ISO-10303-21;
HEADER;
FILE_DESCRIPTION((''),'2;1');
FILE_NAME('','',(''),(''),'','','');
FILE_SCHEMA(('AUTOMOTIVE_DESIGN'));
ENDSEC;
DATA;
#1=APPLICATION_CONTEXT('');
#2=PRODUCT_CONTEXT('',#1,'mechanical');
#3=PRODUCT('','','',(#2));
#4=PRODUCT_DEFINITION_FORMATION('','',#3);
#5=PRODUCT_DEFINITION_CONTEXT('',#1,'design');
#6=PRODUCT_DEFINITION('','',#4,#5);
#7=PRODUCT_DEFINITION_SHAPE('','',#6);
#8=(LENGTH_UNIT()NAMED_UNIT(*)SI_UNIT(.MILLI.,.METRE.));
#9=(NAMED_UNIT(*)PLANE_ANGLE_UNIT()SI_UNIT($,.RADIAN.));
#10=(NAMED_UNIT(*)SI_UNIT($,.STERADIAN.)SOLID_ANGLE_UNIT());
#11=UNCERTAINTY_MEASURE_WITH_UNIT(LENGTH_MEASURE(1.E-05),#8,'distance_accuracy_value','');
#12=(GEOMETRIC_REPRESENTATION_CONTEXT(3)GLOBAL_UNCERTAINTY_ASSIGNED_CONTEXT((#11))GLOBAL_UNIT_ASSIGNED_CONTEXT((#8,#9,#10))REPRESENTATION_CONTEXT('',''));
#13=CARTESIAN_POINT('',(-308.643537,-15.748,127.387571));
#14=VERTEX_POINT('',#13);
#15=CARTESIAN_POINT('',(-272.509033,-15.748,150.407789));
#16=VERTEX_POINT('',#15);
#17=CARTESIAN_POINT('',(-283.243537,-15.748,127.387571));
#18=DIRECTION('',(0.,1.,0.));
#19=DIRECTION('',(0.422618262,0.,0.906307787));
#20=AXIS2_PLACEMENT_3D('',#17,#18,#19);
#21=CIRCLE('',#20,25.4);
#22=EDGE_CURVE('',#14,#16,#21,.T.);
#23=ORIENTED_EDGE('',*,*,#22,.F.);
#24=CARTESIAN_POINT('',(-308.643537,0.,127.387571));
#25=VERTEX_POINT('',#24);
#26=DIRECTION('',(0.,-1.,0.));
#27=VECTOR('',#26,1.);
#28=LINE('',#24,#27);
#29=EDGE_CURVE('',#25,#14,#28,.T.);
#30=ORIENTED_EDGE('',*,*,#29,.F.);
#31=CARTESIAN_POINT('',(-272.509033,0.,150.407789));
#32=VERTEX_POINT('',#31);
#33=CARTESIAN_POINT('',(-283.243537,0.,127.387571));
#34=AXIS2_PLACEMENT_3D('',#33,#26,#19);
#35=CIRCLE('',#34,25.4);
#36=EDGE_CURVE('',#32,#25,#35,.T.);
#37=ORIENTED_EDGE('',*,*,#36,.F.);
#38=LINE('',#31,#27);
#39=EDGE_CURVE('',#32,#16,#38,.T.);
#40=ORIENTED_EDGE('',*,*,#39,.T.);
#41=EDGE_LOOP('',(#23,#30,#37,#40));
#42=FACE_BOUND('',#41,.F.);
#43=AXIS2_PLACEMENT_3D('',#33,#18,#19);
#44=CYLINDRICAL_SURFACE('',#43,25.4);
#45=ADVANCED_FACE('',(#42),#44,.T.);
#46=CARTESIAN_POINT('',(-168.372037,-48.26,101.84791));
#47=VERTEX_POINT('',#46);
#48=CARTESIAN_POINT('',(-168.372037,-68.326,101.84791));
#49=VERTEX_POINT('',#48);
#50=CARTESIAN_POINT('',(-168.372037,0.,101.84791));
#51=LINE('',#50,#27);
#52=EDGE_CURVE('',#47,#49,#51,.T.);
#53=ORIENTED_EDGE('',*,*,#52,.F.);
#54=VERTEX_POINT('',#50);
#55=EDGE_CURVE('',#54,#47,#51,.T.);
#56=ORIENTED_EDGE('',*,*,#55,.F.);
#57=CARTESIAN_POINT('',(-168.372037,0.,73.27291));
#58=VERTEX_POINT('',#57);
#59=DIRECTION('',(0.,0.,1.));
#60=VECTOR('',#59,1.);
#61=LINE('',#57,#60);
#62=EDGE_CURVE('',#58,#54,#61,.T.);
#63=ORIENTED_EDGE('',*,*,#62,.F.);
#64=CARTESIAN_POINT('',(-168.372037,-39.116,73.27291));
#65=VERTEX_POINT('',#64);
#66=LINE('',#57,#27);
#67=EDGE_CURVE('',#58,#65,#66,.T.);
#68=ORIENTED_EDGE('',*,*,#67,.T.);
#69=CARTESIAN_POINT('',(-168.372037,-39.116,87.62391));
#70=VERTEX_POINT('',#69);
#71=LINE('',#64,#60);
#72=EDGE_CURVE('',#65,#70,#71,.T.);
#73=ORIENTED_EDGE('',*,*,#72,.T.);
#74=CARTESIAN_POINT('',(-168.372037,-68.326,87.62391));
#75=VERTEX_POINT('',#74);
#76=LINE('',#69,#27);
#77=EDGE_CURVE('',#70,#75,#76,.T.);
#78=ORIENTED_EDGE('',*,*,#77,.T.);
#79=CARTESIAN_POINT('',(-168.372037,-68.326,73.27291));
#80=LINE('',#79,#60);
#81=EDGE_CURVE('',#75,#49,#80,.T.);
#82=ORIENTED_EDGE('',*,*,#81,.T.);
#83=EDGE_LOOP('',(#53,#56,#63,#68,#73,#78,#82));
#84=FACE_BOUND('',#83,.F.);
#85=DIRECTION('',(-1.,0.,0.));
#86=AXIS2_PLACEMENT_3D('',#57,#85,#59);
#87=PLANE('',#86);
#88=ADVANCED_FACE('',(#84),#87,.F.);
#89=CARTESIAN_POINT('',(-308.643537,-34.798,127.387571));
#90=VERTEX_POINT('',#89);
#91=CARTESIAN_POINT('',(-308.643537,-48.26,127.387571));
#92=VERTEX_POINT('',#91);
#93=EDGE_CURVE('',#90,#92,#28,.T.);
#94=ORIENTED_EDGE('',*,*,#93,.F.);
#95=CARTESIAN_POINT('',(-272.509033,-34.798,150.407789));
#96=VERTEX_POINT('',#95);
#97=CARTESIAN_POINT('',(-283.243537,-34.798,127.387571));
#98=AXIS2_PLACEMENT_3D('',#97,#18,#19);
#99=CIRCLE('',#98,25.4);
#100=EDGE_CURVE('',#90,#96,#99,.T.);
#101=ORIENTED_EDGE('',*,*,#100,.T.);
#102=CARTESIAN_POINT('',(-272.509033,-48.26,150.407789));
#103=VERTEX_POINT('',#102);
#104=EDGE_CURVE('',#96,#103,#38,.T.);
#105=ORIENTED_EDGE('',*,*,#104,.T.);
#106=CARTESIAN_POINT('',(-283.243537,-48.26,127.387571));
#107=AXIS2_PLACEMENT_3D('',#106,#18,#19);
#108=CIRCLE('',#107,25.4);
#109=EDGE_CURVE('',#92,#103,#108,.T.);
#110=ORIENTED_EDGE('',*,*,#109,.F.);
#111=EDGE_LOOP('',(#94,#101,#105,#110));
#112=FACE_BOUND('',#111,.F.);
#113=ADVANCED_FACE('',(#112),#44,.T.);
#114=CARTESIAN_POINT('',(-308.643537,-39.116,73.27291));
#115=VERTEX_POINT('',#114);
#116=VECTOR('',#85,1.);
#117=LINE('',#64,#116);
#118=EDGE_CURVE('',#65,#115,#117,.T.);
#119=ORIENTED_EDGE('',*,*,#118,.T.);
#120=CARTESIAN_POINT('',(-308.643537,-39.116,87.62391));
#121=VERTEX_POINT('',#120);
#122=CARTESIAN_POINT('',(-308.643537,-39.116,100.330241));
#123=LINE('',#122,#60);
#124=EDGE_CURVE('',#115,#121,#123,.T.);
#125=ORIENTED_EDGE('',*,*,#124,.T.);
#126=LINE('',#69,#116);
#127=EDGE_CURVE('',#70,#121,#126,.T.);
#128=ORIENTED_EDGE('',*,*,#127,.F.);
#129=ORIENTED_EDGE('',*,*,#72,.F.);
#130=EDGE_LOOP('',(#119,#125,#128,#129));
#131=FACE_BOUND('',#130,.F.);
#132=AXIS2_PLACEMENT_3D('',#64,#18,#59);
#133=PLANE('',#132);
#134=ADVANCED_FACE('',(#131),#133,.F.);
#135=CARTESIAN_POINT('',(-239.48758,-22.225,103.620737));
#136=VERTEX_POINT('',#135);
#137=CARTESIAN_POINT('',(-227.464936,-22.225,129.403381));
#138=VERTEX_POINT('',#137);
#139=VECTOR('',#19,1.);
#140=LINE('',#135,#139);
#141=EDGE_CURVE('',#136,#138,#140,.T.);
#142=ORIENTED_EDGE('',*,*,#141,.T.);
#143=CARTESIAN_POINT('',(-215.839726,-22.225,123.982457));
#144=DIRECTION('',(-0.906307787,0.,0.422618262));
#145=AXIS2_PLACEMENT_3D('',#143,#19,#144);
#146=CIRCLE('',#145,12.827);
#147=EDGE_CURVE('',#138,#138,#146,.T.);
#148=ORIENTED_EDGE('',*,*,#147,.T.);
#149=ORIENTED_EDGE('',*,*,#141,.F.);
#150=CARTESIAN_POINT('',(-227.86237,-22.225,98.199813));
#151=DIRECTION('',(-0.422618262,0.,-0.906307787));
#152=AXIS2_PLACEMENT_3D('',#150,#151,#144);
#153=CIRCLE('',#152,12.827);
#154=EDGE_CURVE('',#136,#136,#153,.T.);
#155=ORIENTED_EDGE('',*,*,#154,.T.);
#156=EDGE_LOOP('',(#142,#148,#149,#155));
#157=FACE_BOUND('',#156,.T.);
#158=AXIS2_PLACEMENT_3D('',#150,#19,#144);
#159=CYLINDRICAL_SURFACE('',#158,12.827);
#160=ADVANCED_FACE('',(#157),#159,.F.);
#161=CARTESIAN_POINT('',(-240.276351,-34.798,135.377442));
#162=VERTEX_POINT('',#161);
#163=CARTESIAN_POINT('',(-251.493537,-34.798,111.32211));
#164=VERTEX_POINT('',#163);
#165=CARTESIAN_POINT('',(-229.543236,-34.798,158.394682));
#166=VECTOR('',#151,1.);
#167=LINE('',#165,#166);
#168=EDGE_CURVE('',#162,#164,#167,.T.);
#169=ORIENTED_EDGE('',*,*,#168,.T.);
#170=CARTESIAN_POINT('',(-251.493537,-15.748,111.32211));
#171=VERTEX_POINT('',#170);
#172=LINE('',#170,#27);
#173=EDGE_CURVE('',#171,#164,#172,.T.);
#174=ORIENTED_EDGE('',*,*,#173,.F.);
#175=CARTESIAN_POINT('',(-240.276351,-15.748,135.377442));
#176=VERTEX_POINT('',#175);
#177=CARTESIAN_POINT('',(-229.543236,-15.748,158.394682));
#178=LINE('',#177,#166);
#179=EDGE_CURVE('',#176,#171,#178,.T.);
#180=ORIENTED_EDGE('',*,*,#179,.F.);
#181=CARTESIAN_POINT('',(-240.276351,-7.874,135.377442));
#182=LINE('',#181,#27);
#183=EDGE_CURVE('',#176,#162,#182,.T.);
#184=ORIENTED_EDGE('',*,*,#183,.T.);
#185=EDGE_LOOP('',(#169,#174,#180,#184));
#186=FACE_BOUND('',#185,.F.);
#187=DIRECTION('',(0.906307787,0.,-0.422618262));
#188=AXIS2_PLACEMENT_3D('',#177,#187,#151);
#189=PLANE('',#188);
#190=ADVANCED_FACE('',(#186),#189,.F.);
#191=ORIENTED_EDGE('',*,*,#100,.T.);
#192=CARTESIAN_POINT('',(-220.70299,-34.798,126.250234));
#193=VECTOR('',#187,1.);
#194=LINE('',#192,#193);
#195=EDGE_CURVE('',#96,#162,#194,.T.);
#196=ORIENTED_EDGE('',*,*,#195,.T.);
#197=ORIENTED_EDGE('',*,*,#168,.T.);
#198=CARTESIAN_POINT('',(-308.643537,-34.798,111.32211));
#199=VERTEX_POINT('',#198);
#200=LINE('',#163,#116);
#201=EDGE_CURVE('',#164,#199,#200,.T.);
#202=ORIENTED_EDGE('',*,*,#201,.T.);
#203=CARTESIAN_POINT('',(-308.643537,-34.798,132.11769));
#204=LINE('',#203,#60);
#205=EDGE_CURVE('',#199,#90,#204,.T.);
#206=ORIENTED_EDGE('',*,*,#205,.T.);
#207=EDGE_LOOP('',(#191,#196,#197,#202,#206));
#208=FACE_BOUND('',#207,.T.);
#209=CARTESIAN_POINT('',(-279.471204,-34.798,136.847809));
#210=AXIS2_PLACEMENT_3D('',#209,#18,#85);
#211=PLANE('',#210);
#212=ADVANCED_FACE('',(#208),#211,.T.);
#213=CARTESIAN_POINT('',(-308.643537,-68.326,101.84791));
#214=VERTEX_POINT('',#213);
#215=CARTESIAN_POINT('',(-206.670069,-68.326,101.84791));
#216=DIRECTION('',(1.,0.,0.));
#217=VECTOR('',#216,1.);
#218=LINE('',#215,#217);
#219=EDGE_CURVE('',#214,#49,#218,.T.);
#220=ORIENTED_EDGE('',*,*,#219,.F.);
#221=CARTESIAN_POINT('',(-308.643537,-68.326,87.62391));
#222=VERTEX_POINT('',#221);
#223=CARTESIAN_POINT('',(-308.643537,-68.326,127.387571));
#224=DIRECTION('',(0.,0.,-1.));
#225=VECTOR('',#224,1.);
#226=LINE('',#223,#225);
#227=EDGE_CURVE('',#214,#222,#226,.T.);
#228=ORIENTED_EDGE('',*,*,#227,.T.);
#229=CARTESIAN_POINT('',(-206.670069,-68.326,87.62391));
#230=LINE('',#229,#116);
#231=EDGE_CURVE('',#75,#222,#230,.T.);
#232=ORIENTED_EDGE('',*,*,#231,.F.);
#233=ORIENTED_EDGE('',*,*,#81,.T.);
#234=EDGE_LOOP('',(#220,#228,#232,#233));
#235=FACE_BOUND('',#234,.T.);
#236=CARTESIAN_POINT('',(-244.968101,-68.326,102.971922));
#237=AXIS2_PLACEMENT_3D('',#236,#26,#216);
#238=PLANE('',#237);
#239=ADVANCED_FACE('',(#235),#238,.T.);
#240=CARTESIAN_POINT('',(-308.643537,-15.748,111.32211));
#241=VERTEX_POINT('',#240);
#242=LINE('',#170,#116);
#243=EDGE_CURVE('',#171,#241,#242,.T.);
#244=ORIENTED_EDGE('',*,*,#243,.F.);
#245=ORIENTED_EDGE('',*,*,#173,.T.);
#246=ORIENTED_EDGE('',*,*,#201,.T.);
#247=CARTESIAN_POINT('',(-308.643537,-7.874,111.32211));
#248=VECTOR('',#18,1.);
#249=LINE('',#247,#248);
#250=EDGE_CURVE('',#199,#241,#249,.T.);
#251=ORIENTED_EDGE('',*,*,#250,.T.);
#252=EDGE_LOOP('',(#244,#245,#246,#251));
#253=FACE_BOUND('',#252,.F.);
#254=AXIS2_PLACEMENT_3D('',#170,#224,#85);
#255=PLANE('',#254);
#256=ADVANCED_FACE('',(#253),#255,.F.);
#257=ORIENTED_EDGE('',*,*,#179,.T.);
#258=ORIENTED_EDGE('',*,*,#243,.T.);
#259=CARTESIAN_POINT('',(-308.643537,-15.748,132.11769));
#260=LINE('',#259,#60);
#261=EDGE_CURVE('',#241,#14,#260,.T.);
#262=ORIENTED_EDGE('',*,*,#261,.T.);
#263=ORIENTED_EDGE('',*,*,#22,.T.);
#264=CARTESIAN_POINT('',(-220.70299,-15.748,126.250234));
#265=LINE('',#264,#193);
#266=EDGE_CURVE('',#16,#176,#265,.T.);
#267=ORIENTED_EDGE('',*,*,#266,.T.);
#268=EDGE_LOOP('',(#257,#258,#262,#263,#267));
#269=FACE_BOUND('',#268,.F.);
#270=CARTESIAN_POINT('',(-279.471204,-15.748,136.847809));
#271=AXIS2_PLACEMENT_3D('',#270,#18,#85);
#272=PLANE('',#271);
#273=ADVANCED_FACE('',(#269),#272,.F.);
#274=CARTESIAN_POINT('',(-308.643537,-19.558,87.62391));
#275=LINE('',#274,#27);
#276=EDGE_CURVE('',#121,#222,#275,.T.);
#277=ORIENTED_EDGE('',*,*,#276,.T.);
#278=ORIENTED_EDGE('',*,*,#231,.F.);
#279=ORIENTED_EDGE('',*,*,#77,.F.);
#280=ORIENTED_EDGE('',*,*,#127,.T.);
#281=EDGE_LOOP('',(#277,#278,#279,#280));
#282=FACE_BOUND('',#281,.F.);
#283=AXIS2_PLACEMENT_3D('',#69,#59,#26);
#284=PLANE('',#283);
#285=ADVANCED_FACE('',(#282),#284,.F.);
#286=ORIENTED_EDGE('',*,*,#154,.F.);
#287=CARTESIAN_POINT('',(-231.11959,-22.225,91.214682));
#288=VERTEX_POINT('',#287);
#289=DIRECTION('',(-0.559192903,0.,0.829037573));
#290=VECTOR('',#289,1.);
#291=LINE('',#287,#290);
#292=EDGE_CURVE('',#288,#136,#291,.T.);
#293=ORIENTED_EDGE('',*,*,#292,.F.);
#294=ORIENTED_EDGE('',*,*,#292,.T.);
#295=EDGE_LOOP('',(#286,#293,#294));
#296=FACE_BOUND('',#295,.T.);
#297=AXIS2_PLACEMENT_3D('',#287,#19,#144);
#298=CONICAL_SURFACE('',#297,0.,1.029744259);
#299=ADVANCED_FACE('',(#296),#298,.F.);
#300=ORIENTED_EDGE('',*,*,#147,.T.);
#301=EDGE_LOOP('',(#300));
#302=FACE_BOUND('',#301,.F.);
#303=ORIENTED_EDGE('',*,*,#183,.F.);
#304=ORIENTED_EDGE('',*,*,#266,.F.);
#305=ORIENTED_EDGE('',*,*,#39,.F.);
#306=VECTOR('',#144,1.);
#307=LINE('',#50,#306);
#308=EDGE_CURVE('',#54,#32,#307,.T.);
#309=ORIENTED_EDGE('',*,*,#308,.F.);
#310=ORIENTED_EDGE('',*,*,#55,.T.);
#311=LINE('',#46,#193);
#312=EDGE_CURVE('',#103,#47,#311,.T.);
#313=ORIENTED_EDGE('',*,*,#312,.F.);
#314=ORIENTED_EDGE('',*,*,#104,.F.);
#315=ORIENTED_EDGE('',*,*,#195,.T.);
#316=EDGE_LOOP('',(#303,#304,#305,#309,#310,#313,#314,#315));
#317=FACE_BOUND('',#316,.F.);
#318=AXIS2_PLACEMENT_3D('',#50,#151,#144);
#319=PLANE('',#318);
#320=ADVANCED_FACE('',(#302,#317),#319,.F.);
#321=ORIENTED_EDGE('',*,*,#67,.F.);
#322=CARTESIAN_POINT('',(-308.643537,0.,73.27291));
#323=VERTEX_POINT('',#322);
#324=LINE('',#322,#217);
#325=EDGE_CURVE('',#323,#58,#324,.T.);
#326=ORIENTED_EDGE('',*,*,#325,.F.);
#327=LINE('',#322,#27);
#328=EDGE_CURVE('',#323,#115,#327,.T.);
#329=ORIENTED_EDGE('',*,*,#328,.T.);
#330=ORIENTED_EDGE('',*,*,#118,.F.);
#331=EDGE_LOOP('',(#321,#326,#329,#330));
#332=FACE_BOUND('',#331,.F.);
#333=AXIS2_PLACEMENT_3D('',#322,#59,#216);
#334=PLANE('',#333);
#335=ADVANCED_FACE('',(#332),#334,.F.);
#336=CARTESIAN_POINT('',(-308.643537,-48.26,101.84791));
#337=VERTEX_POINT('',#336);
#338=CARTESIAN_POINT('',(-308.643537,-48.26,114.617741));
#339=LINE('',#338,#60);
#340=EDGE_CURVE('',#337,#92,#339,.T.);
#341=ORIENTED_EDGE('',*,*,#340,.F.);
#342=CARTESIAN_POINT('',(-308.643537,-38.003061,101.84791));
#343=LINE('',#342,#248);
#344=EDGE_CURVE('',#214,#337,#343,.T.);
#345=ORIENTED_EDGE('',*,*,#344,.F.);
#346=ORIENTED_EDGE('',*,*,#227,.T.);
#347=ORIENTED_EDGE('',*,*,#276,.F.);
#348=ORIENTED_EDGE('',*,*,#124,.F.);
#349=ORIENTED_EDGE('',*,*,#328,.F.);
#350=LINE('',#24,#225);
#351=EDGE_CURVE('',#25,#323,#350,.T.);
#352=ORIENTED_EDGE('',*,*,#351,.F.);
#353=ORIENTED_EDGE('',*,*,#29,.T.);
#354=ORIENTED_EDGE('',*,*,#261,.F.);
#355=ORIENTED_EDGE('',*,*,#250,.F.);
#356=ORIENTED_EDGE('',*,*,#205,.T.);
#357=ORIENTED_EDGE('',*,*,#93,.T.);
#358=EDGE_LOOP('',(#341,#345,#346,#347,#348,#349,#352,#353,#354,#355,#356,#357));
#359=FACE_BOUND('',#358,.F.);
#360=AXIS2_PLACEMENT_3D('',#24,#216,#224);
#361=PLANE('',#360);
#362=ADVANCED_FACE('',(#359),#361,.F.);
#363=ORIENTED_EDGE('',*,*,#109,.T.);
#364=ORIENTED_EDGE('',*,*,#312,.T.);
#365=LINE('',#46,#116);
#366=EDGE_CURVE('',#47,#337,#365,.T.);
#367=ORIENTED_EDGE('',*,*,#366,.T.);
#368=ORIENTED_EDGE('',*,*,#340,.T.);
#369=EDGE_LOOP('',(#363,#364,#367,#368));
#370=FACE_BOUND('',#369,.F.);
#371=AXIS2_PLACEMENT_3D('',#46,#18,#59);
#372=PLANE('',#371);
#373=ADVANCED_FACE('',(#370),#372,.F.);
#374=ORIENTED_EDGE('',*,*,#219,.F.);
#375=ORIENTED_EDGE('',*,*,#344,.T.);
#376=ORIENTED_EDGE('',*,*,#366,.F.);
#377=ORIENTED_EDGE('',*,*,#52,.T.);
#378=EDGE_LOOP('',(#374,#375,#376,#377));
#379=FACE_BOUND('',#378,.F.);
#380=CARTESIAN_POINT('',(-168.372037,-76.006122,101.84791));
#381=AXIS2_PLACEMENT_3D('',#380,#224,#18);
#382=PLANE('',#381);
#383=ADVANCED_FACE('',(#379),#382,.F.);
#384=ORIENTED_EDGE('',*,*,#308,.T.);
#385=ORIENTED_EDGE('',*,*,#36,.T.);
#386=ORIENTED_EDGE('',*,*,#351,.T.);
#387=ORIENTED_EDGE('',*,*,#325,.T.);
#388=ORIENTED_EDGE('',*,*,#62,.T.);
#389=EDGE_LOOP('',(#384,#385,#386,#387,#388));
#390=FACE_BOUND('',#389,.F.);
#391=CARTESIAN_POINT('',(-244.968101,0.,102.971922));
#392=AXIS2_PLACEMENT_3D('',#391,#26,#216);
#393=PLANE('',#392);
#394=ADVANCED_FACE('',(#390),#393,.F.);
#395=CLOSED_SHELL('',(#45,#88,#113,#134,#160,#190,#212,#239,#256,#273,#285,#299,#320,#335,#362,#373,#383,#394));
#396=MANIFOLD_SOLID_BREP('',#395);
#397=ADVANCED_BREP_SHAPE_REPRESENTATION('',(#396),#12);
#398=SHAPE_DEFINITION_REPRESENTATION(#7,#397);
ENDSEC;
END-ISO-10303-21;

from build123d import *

# Parameters (mm, degrees)
F1_DEPTH = 68.326
F3_DEPTH = 140.2725
F9_DEPTH = 19.05


with BuildPart() as f1:
    # F0 (on Front) → F1 (new body)
    with BuildSketch(Plane.XZ):
        with BuildLine():
            Line((-308.6435369492, 127.387571028), (-308.6435369492, 73.2729100159))
            Line((-308.6435369492, 73.2729100159), (-168.3720369492, 73.2729100159))
            Line((-168.3720369492, 73.2729100159), (-168.3720369492, 101.8479100159))
            Line((-168.3720369492, 101.8479100159), (-272.5090331009, 150.4077888187))
            ThreePointArc((-272.5090331009, 150.4077888187), (-296.8909470012, 148.8097137516), (-308.6435369492, 127.387571028))
        make_face()
    extrude(amount=F1_DEPTH)

    # F2 (on face) → F3 (cut, through all)
    with BuildSketch(Plane.YZ.offset(-168.3720369492)):
        Polygon((-39.116, 87.6239100159), (-76.0061219335, 87.6239100159), (-76.0061219335, 101.8479100159), (-48.26, 101.8479100159), (-48.26, 161.3023877144), (-91.7473509908, 161.3023877144), (-91.7473509908, 73.2729100159), (-39.116, 73.2729100159), align=None)
    extrude(amount=-F3_DEPTH, mode=Mode.SUBTRACT)

    # F5 (on offset) → F6 (revolve, cut)
    with BuildSketch(Plane(origin=(0, -22.225, 0), x_dir=(-1, 0, 0), z_dir=(0, 1, 0))):
        Polygon((226.816497322, 130.7939626652), (214.7088005788, 126.4077344154), (231.1195903604, 91.2146821577), (239.487580328, 103.6207374686), align=None)
    revolve(axis=Axis((-222.9141954696, -22.225, 108.8112082866), (-0.4226182617, 0, -0.906307787)), mode=Mode.SUBTRACT)

    # F8 (on offset) → F9 (cut)
    with BuildSketch(Plane(origin=(0, -15.748, 0), x_dir=(-1, 0, 0), z_dir=(0, 1, 0))):
        Polygon((320.8571528949, 158.3946817508), (229.5432362601, 158.3946817508), (251.4935369492, 111.3221100159), (320.8571528949, 111.3221100159), align=None)
    extrude(amount=-F9_DEPTH, mode=Mode.SUBTRACT)


solid = f1.part
